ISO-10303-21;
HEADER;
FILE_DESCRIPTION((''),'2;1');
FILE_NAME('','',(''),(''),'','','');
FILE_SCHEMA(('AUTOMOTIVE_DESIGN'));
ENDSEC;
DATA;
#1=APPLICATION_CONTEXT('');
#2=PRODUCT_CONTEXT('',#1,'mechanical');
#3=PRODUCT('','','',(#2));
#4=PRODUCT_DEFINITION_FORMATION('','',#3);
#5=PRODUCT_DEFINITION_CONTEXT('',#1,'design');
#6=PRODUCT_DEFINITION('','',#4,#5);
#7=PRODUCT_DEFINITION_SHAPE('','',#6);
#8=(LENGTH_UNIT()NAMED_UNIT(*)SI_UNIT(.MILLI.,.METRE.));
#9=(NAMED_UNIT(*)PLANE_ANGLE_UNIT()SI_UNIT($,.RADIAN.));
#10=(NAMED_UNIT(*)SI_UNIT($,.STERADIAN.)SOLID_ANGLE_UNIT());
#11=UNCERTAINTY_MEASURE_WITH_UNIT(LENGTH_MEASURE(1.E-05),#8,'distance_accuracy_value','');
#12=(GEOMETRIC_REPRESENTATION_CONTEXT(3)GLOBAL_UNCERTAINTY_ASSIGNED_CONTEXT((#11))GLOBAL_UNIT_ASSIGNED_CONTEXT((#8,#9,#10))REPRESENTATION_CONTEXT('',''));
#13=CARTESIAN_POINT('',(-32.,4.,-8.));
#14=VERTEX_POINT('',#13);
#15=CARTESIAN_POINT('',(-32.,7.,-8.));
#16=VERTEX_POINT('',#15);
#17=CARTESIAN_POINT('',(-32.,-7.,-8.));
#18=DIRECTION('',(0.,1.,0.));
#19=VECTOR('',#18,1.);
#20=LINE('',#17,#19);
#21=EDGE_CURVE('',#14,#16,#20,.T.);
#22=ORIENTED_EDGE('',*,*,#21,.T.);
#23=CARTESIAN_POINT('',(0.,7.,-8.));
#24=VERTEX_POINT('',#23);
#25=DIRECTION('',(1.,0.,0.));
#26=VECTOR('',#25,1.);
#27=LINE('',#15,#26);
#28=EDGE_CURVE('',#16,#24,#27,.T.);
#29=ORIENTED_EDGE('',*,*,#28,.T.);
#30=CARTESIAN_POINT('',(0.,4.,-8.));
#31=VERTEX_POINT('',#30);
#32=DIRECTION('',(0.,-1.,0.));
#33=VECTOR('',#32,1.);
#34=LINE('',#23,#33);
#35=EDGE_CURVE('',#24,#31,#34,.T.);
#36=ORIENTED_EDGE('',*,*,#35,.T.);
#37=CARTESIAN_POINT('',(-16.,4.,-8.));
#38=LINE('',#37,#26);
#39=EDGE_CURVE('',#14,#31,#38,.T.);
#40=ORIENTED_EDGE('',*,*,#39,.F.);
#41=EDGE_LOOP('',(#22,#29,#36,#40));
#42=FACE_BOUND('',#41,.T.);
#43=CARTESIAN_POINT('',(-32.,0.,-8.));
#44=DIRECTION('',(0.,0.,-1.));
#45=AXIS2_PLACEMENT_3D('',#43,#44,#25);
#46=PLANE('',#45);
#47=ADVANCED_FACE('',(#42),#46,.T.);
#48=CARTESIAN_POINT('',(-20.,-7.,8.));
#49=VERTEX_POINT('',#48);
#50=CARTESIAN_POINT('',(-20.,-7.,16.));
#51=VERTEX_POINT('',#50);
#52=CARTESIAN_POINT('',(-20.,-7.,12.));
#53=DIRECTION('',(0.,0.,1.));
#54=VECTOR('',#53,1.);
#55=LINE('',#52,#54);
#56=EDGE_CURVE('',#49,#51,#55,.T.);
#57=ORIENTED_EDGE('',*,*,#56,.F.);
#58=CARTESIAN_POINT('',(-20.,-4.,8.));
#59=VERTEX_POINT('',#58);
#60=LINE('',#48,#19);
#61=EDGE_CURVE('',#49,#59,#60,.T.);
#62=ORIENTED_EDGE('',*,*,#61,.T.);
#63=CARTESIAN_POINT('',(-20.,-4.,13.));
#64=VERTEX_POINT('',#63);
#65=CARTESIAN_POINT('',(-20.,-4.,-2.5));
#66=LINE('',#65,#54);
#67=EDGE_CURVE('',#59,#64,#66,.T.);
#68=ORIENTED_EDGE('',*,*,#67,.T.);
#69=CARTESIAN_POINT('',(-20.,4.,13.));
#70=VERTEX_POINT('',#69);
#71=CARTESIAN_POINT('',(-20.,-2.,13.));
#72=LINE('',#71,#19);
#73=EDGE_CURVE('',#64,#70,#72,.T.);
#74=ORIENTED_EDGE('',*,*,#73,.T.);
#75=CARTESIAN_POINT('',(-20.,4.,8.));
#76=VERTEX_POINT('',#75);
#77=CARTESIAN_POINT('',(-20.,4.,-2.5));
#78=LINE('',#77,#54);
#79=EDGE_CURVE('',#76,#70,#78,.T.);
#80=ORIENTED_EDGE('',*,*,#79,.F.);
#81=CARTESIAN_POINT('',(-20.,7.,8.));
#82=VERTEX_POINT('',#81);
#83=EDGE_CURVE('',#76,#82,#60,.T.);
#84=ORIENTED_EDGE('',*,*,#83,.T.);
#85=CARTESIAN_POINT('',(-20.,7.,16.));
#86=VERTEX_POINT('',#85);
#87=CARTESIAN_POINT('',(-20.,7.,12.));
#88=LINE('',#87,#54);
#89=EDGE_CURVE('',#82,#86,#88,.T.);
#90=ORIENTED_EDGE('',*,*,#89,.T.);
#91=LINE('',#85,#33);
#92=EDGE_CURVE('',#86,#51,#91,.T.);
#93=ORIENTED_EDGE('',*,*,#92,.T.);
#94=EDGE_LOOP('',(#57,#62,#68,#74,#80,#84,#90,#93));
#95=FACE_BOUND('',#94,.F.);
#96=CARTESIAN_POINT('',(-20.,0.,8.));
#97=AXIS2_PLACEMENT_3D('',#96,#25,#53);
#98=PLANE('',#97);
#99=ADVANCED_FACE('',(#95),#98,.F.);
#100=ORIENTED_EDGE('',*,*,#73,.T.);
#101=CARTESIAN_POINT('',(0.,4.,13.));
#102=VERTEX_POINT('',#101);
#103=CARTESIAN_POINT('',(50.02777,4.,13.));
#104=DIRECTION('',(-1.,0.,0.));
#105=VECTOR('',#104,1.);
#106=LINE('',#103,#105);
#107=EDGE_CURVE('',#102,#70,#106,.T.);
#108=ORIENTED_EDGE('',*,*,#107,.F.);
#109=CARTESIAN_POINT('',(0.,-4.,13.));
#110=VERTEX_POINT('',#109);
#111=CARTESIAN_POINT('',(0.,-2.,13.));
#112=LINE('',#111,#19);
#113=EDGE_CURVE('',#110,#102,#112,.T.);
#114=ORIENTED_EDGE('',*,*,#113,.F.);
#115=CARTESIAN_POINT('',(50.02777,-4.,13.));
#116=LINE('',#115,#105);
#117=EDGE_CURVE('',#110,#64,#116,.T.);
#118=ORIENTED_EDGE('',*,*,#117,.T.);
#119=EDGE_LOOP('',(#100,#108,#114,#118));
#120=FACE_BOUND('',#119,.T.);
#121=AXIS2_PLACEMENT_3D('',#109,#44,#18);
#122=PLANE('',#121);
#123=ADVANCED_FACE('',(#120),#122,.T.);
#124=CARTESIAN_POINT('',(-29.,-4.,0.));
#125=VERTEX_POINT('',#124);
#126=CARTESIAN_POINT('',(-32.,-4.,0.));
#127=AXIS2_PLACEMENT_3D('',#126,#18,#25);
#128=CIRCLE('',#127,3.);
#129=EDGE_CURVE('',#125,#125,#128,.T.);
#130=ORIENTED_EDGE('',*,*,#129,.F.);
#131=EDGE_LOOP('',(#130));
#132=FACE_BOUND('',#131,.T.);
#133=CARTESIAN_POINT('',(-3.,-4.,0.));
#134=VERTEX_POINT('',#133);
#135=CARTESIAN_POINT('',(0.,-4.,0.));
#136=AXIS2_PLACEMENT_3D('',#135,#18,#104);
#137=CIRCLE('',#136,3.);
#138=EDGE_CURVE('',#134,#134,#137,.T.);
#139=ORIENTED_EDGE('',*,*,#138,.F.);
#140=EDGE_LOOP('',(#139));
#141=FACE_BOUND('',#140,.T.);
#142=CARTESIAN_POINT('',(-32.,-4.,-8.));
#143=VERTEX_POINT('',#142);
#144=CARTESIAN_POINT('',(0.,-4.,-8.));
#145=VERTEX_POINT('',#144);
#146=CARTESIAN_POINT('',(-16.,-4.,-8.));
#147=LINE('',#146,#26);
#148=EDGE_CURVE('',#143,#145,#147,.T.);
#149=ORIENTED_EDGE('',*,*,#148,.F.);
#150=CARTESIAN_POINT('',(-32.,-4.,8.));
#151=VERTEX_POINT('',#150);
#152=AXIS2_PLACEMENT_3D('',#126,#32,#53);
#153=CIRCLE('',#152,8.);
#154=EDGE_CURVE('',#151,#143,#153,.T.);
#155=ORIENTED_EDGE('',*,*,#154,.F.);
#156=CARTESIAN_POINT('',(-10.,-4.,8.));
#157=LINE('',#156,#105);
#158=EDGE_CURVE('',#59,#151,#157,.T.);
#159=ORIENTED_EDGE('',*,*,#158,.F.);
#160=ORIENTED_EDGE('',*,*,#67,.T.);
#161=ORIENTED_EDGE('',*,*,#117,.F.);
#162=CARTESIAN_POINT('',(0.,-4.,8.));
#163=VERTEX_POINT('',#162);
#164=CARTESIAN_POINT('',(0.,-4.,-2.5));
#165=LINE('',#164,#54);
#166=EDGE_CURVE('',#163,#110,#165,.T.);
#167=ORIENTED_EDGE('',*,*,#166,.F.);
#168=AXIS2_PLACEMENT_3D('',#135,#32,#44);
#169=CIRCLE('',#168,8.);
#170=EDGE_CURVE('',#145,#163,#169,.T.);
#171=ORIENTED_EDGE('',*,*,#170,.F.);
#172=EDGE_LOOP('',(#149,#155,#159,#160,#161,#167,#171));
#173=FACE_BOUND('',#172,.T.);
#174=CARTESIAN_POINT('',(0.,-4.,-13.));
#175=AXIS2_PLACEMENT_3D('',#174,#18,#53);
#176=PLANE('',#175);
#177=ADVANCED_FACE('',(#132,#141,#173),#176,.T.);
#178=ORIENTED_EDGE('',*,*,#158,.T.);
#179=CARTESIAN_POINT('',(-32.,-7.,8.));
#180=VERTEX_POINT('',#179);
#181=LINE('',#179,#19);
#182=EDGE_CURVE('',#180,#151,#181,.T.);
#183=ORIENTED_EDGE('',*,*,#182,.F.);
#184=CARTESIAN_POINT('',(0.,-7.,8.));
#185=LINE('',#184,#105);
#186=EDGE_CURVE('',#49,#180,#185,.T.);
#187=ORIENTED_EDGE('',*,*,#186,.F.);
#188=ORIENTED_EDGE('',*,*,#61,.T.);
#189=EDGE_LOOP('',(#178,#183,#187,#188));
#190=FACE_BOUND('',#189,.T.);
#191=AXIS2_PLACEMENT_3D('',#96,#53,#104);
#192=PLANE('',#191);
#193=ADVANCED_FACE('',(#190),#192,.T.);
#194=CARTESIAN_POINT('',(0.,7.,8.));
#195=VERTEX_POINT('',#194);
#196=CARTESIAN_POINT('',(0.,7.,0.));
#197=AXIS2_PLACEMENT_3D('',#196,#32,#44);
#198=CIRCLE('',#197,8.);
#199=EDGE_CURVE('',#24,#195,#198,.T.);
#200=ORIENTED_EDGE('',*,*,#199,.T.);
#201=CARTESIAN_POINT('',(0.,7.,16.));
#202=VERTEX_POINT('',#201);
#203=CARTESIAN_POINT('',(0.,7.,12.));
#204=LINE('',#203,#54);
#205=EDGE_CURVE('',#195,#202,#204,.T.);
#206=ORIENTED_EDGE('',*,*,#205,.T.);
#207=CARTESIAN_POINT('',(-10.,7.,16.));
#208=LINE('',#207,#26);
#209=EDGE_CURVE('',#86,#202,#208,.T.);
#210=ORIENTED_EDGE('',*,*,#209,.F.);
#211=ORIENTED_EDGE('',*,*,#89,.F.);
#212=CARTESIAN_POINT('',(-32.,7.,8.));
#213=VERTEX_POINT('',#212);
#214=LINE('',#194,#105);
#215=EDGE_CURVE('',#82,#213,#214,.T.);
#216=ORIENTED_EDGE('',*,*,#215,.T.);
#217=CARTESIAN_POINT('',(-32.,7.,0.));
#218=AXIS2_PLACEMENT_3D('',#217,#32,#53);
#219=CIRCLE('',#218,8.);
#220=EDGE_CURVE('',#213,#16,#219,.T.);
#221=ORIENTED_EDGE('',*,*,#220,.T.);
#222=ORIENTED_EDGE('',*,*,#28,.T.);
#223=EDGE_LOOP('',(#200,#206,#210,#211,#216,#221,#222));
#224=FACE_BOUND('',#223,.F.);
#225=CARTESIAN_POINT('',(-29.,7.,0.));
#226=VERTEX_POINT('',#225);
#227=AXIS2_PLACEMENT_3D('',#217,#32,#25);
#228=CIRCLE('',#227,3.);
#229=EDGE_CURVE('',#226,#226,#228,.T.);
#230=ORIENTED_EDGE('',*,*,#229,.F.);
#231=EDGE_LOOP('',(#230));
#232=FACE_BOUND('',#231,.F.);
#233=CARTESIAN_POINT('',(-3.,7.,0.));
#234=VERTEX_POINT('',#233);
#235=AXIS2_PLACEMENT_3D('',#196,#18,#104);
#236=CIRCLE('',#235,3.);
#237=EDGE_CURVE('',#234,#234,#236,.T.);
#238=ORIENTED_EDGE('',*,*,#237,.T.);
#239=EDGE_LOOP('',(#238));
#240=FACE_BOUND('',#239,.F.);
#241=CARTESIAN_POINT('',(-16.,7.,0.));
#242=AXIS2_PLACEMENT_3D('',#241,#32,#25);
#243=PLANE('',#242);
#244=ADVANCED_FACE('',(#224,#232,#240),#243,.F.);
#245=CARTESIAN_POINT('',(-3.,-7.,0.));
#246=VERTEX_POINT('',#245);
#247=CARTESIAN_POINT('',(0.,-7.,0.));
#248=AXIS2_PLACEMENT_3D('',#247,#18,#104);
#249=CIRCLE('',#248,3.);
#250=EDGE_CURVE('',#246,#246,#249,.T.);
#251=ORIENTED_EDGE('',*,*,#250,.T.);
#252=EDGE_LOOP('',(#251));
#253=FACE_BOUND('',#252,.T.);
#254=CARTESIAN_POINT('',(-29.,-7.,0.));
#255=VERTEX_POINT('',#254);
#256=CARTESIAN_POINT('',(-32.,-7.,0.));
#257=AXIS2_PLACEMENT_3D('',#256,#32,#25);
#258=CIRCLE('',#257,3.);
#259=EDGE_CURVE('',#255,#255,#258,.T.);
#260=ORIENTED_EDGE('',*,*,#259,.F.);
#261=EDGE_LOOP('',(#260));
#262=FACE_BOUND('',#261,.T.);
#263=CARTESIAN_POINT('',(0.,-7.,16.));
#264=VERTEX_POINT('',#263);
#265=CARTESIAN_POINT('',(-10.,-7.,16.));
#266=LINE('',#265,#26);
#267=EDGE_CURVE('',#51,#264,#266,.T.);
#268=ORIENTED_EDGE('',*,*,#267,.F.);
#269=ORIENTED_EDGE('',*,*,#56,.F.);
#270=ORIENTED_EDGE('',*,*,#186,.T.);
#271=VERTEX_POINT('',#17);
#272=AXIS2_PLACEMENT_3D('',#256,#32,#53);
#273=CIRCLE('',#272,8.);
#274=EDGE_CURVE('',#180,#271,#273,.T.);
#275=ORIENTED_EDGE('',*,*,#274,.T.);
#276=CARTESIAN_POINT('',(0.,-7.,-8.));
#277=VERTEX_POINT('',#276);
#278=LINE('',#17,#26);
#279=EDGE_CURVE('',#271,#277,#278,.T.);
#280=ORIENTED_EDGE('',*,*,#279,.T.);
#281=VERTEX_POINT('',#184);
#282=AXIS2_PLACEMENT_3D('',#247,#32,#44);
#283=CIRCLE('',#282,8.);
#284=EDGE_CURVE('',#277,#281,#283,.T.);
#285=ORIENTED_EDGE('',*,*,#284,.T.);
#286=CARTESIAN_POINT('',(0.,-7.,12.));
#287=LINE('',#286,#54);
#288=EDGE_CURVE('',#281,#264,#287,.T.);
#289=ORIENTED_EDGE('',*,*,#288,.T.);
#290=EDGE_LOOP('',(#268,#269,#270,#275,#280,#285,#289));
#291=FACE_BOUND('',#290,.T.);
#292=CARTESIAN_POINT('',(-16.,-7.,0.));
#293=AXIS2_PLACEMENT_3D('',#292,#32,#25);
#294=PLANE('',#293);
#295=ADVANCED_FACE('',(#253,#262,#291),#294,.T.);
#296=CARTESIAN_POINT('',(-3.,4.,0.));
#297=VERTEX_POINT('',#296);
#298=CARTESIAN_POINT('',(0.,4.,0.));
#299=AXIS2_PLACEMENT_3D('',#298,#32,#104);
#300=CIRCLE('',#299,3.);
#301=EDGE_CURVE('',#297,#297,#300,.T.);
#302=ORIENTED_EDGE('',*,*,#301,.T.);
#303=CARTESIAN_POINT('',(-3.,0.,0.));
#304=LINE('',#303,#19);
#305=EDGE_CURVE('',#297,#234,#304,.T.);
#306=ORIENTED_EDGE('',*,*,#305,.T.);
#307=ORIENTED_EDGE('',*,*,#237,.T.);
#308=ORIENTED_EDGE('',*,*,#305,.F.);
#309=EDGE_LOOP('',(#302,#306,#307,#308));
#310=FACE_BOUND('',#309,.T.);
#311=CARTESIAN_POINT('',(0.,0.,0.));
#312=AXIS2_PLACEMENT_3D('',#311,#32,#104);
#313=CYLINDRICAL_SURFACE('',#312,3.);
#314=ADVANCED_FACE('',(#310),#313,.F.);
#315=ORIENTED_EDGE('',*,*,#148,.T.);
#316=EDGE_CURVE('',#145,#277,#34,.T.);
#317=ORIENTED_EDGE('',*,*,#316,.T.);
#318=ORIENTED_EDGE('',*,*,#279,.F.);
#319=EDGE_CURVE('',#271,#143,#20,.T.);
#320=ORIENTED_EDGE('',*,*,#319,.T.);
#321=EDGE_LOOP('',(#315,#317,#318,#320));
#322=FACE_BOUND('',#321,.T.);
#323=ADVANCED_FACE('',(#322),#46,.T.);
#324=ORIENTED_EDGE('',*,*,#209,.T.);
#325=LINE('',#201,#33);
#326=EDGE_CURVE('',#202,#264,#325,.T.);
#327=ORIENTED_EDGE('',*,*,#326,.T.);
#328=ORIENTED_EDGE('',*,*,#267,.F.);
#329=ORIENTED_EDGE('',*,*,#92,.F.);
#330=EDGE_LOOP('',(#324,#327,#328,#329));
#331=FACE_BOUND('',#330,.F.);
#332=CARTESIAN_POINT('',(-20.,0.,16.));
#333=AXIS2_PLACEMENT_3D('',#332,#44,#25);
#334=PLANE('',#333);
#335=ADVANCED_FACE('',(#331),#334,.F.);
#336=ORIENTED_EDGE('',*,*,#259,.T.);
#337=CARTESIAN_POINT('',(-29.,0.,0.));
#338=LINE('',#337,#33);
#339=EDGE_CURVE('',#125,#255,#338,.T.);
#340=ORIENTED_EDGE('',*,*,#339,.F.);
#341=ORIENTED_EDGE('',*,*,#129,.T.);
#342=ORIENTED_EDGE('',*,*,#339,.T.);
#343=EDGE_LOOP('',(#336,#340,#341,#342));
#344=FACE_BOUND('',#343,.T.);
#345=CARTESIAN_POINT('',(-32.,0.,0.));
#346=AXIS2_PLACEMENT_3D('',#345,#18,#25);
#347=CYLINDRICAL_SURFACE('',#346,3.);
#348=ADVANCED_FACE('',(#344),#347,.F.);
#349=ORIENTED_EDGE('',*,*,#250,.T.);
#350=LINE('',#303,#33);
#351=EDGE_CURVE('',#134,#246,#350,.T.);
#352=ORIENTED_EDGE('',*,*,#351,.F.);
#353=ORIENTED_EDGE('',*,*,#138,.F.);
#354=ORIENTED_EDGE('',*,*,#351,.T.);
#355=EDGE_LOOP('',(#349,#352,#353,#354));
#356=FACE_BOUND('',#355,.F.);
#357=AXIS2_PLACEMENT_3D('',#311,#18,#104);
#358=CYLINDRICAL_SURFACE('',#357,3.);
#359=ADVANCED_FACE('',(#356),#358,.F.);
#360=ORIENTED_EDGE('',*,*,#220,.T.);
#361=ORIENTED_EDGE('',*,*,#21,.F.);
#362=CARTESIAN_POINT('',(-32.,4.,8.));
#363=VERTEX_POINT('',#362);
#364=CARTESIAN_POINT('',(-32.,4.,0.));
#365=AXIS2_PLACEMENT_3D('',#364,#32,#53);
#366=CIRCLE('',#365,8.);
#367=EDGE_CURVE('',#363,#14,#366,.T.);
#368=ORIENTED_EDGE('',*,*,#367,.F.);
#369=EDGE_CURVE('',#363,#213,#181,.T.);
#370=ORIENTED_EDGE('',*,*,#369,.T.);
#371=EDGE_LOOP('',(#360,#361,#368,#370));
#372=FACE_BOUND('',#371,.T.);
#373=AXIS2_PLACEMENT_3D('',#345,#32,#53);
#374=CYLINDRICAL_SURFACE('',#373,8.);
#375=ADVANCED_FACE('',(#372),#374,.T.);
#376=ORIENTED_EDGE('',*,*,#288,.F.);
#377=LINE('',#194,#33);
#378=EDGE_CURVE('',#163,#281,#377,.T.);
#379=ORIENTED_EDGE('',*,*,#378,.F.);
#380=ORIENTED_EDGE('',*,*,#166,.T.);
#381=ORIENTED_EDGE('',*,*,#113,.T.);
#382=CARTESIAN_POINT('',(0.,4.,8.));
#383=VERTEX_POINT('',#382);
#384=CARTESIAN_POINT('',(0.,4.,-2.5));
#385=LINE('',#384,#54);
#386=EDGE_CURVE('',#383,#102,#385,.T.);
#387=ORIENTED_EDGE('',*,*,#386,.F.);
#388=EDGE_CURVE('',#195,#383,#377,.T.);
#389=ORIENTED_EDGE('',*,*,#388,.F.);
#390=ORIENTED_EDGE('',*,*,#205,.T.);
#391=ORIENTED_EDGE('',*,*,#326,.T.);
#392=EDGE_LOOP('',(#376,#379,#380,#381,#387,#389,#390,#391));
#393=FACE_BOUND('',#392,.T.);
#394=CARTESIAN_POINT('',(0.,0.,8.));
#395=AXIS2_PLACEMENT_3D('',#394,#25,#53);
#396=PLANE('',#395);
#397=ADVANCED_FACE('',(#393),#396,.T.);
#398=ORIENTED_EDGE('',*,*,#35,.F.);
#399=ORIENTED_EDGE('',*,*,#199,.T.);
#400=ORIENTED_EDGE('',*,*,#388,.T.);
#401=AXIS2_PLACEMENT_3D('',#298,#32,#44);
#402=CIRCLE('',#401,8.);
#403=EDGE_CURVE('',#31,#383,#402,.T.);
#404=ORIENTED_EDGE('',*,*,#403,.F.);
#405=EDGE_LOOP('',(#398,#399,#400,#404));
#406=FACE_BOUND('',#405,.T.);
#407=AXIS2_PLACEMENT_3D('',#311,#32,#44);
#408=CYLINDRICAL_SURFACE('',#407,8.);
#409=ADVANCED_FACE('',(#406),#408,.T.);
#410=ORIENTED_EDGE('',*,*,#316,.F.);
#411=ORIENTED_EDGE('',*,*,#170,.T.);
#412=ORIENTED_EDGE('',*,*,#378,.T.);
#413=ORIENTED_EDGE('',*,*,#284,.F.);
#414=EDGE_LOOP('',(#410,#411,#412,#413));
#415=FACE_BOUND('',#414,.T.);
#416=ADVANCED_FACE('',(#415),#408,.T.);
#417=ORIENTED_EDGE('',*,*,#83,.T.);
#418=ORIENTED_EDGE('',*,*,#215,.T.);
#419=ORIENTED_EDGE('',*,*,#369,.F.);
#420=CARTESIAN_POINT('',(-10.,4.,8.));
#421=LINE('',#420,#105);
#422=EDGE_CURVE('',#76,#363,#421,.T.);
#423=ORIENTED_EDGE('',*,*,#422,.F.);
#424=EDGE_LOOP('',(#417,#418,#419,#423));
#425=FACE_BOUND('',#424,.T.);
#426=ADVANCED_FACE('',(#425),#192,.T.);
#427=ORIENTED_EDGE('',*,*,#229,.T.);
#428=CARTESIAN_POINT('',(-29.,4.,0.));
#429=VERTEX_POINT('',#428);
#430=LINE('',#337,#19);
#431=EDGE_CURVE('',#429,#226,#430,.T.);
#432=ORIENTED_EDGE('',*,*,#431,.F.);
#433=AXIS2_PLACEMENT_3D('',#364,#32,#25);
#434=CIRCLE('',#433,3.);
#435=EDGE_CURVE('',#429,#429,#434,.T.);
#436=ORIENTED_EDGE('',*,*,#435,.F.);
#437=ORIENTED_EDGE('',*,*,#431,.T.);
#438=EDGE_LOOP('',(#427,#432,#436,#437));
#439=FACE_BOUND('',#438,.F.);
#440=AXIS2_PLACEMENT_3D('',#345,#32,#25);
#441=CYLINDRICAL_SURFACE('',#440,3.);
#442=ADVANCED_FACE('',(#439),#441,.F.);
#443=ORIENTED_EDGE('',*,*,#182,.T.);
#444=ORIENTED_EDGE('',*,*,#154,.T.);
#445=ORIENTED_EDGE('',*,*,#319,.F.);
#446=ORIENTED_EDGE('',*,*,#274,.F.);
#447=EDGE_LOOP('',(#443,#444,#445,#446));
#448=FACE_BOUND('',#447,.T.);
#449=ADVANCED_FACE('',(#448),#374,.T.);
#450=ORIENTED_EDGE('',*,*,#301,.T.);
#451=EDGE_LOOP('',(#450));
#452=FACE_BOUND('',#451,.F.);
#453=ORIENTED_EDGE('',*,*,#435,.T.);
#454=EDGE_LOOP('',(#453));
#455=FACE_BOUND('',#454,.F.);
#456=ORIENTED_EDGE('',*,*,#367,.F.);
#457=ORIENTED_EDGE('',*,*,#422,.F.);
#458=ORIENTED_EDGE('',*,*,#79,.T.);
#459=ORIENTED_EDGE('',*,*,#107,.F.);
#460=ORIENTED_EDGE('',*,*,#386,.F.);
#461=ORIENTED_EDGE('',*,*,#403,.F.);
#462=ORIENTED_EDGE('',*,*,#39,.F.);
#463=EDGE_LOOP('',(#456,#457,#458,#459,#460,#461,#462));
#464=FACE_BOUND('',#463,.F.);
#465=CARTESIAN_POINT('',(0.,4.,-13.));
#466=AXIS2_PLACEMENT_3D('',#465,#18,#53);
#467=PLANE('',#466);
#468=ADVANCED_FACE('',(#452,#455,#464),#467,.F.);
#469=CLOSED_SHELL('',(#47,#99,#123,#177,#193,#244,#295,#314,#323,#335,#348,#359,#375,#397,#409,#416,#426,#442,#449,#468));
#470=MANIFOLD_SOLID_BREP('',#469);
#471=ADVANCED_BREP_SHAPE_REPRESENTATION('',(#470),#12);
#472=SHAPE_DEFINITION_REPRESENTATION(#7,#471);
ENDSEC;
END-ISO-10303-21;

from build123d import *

# Parameters (mm, degrees)
F0_R     = 3
F0_W     = 20
F0_H     = 8
F1_DEPTH = 7
F2_W     = 8
F2_H     = 26
F3_DEPTH = 50.02777


with BuildPart() as f1:
    # F0 (on Front) → F1 (new body, symmetric)
    with BuildSketch(Plane.XZ):
        with BuildLine():
            Line((-32, -8), (0, -8))
            ThreePointArc((0, -8), (8, 0), (0, 8))
            Line((0, 8), (-20, 8))
            Line((-20, 8), (-32, 8))
            ThreePointArc((-32, 8), (-40, 0), (-32, -8))
        make_face()
        with Locations((-32, 0)):
            Circle(F0_R, mode=Mode.SUBTRACT)
        with BuildLine():
            ThreePointArc((3, 0), (0, -3), (-3, 0))
            ThreePointArc((-3, 0), (0, 3), (3, 0))
        make_face(mode=Mode.SUBTRACT)
        with Locations((-10, 12)):
            Rectangle(F0_W, F0_H)
    extrude(amount=F1_DEPTH, both=True)

    # F2 (on Right) → F3 (cut, symmetric)
    with BuildSketch(Plane.YZ):
        Rectangle(F2_W, F2_H)
    extrude(amount=F3_DEPTH, both=True, mode=Mode.SUBTRACT)


solid = f1.part
